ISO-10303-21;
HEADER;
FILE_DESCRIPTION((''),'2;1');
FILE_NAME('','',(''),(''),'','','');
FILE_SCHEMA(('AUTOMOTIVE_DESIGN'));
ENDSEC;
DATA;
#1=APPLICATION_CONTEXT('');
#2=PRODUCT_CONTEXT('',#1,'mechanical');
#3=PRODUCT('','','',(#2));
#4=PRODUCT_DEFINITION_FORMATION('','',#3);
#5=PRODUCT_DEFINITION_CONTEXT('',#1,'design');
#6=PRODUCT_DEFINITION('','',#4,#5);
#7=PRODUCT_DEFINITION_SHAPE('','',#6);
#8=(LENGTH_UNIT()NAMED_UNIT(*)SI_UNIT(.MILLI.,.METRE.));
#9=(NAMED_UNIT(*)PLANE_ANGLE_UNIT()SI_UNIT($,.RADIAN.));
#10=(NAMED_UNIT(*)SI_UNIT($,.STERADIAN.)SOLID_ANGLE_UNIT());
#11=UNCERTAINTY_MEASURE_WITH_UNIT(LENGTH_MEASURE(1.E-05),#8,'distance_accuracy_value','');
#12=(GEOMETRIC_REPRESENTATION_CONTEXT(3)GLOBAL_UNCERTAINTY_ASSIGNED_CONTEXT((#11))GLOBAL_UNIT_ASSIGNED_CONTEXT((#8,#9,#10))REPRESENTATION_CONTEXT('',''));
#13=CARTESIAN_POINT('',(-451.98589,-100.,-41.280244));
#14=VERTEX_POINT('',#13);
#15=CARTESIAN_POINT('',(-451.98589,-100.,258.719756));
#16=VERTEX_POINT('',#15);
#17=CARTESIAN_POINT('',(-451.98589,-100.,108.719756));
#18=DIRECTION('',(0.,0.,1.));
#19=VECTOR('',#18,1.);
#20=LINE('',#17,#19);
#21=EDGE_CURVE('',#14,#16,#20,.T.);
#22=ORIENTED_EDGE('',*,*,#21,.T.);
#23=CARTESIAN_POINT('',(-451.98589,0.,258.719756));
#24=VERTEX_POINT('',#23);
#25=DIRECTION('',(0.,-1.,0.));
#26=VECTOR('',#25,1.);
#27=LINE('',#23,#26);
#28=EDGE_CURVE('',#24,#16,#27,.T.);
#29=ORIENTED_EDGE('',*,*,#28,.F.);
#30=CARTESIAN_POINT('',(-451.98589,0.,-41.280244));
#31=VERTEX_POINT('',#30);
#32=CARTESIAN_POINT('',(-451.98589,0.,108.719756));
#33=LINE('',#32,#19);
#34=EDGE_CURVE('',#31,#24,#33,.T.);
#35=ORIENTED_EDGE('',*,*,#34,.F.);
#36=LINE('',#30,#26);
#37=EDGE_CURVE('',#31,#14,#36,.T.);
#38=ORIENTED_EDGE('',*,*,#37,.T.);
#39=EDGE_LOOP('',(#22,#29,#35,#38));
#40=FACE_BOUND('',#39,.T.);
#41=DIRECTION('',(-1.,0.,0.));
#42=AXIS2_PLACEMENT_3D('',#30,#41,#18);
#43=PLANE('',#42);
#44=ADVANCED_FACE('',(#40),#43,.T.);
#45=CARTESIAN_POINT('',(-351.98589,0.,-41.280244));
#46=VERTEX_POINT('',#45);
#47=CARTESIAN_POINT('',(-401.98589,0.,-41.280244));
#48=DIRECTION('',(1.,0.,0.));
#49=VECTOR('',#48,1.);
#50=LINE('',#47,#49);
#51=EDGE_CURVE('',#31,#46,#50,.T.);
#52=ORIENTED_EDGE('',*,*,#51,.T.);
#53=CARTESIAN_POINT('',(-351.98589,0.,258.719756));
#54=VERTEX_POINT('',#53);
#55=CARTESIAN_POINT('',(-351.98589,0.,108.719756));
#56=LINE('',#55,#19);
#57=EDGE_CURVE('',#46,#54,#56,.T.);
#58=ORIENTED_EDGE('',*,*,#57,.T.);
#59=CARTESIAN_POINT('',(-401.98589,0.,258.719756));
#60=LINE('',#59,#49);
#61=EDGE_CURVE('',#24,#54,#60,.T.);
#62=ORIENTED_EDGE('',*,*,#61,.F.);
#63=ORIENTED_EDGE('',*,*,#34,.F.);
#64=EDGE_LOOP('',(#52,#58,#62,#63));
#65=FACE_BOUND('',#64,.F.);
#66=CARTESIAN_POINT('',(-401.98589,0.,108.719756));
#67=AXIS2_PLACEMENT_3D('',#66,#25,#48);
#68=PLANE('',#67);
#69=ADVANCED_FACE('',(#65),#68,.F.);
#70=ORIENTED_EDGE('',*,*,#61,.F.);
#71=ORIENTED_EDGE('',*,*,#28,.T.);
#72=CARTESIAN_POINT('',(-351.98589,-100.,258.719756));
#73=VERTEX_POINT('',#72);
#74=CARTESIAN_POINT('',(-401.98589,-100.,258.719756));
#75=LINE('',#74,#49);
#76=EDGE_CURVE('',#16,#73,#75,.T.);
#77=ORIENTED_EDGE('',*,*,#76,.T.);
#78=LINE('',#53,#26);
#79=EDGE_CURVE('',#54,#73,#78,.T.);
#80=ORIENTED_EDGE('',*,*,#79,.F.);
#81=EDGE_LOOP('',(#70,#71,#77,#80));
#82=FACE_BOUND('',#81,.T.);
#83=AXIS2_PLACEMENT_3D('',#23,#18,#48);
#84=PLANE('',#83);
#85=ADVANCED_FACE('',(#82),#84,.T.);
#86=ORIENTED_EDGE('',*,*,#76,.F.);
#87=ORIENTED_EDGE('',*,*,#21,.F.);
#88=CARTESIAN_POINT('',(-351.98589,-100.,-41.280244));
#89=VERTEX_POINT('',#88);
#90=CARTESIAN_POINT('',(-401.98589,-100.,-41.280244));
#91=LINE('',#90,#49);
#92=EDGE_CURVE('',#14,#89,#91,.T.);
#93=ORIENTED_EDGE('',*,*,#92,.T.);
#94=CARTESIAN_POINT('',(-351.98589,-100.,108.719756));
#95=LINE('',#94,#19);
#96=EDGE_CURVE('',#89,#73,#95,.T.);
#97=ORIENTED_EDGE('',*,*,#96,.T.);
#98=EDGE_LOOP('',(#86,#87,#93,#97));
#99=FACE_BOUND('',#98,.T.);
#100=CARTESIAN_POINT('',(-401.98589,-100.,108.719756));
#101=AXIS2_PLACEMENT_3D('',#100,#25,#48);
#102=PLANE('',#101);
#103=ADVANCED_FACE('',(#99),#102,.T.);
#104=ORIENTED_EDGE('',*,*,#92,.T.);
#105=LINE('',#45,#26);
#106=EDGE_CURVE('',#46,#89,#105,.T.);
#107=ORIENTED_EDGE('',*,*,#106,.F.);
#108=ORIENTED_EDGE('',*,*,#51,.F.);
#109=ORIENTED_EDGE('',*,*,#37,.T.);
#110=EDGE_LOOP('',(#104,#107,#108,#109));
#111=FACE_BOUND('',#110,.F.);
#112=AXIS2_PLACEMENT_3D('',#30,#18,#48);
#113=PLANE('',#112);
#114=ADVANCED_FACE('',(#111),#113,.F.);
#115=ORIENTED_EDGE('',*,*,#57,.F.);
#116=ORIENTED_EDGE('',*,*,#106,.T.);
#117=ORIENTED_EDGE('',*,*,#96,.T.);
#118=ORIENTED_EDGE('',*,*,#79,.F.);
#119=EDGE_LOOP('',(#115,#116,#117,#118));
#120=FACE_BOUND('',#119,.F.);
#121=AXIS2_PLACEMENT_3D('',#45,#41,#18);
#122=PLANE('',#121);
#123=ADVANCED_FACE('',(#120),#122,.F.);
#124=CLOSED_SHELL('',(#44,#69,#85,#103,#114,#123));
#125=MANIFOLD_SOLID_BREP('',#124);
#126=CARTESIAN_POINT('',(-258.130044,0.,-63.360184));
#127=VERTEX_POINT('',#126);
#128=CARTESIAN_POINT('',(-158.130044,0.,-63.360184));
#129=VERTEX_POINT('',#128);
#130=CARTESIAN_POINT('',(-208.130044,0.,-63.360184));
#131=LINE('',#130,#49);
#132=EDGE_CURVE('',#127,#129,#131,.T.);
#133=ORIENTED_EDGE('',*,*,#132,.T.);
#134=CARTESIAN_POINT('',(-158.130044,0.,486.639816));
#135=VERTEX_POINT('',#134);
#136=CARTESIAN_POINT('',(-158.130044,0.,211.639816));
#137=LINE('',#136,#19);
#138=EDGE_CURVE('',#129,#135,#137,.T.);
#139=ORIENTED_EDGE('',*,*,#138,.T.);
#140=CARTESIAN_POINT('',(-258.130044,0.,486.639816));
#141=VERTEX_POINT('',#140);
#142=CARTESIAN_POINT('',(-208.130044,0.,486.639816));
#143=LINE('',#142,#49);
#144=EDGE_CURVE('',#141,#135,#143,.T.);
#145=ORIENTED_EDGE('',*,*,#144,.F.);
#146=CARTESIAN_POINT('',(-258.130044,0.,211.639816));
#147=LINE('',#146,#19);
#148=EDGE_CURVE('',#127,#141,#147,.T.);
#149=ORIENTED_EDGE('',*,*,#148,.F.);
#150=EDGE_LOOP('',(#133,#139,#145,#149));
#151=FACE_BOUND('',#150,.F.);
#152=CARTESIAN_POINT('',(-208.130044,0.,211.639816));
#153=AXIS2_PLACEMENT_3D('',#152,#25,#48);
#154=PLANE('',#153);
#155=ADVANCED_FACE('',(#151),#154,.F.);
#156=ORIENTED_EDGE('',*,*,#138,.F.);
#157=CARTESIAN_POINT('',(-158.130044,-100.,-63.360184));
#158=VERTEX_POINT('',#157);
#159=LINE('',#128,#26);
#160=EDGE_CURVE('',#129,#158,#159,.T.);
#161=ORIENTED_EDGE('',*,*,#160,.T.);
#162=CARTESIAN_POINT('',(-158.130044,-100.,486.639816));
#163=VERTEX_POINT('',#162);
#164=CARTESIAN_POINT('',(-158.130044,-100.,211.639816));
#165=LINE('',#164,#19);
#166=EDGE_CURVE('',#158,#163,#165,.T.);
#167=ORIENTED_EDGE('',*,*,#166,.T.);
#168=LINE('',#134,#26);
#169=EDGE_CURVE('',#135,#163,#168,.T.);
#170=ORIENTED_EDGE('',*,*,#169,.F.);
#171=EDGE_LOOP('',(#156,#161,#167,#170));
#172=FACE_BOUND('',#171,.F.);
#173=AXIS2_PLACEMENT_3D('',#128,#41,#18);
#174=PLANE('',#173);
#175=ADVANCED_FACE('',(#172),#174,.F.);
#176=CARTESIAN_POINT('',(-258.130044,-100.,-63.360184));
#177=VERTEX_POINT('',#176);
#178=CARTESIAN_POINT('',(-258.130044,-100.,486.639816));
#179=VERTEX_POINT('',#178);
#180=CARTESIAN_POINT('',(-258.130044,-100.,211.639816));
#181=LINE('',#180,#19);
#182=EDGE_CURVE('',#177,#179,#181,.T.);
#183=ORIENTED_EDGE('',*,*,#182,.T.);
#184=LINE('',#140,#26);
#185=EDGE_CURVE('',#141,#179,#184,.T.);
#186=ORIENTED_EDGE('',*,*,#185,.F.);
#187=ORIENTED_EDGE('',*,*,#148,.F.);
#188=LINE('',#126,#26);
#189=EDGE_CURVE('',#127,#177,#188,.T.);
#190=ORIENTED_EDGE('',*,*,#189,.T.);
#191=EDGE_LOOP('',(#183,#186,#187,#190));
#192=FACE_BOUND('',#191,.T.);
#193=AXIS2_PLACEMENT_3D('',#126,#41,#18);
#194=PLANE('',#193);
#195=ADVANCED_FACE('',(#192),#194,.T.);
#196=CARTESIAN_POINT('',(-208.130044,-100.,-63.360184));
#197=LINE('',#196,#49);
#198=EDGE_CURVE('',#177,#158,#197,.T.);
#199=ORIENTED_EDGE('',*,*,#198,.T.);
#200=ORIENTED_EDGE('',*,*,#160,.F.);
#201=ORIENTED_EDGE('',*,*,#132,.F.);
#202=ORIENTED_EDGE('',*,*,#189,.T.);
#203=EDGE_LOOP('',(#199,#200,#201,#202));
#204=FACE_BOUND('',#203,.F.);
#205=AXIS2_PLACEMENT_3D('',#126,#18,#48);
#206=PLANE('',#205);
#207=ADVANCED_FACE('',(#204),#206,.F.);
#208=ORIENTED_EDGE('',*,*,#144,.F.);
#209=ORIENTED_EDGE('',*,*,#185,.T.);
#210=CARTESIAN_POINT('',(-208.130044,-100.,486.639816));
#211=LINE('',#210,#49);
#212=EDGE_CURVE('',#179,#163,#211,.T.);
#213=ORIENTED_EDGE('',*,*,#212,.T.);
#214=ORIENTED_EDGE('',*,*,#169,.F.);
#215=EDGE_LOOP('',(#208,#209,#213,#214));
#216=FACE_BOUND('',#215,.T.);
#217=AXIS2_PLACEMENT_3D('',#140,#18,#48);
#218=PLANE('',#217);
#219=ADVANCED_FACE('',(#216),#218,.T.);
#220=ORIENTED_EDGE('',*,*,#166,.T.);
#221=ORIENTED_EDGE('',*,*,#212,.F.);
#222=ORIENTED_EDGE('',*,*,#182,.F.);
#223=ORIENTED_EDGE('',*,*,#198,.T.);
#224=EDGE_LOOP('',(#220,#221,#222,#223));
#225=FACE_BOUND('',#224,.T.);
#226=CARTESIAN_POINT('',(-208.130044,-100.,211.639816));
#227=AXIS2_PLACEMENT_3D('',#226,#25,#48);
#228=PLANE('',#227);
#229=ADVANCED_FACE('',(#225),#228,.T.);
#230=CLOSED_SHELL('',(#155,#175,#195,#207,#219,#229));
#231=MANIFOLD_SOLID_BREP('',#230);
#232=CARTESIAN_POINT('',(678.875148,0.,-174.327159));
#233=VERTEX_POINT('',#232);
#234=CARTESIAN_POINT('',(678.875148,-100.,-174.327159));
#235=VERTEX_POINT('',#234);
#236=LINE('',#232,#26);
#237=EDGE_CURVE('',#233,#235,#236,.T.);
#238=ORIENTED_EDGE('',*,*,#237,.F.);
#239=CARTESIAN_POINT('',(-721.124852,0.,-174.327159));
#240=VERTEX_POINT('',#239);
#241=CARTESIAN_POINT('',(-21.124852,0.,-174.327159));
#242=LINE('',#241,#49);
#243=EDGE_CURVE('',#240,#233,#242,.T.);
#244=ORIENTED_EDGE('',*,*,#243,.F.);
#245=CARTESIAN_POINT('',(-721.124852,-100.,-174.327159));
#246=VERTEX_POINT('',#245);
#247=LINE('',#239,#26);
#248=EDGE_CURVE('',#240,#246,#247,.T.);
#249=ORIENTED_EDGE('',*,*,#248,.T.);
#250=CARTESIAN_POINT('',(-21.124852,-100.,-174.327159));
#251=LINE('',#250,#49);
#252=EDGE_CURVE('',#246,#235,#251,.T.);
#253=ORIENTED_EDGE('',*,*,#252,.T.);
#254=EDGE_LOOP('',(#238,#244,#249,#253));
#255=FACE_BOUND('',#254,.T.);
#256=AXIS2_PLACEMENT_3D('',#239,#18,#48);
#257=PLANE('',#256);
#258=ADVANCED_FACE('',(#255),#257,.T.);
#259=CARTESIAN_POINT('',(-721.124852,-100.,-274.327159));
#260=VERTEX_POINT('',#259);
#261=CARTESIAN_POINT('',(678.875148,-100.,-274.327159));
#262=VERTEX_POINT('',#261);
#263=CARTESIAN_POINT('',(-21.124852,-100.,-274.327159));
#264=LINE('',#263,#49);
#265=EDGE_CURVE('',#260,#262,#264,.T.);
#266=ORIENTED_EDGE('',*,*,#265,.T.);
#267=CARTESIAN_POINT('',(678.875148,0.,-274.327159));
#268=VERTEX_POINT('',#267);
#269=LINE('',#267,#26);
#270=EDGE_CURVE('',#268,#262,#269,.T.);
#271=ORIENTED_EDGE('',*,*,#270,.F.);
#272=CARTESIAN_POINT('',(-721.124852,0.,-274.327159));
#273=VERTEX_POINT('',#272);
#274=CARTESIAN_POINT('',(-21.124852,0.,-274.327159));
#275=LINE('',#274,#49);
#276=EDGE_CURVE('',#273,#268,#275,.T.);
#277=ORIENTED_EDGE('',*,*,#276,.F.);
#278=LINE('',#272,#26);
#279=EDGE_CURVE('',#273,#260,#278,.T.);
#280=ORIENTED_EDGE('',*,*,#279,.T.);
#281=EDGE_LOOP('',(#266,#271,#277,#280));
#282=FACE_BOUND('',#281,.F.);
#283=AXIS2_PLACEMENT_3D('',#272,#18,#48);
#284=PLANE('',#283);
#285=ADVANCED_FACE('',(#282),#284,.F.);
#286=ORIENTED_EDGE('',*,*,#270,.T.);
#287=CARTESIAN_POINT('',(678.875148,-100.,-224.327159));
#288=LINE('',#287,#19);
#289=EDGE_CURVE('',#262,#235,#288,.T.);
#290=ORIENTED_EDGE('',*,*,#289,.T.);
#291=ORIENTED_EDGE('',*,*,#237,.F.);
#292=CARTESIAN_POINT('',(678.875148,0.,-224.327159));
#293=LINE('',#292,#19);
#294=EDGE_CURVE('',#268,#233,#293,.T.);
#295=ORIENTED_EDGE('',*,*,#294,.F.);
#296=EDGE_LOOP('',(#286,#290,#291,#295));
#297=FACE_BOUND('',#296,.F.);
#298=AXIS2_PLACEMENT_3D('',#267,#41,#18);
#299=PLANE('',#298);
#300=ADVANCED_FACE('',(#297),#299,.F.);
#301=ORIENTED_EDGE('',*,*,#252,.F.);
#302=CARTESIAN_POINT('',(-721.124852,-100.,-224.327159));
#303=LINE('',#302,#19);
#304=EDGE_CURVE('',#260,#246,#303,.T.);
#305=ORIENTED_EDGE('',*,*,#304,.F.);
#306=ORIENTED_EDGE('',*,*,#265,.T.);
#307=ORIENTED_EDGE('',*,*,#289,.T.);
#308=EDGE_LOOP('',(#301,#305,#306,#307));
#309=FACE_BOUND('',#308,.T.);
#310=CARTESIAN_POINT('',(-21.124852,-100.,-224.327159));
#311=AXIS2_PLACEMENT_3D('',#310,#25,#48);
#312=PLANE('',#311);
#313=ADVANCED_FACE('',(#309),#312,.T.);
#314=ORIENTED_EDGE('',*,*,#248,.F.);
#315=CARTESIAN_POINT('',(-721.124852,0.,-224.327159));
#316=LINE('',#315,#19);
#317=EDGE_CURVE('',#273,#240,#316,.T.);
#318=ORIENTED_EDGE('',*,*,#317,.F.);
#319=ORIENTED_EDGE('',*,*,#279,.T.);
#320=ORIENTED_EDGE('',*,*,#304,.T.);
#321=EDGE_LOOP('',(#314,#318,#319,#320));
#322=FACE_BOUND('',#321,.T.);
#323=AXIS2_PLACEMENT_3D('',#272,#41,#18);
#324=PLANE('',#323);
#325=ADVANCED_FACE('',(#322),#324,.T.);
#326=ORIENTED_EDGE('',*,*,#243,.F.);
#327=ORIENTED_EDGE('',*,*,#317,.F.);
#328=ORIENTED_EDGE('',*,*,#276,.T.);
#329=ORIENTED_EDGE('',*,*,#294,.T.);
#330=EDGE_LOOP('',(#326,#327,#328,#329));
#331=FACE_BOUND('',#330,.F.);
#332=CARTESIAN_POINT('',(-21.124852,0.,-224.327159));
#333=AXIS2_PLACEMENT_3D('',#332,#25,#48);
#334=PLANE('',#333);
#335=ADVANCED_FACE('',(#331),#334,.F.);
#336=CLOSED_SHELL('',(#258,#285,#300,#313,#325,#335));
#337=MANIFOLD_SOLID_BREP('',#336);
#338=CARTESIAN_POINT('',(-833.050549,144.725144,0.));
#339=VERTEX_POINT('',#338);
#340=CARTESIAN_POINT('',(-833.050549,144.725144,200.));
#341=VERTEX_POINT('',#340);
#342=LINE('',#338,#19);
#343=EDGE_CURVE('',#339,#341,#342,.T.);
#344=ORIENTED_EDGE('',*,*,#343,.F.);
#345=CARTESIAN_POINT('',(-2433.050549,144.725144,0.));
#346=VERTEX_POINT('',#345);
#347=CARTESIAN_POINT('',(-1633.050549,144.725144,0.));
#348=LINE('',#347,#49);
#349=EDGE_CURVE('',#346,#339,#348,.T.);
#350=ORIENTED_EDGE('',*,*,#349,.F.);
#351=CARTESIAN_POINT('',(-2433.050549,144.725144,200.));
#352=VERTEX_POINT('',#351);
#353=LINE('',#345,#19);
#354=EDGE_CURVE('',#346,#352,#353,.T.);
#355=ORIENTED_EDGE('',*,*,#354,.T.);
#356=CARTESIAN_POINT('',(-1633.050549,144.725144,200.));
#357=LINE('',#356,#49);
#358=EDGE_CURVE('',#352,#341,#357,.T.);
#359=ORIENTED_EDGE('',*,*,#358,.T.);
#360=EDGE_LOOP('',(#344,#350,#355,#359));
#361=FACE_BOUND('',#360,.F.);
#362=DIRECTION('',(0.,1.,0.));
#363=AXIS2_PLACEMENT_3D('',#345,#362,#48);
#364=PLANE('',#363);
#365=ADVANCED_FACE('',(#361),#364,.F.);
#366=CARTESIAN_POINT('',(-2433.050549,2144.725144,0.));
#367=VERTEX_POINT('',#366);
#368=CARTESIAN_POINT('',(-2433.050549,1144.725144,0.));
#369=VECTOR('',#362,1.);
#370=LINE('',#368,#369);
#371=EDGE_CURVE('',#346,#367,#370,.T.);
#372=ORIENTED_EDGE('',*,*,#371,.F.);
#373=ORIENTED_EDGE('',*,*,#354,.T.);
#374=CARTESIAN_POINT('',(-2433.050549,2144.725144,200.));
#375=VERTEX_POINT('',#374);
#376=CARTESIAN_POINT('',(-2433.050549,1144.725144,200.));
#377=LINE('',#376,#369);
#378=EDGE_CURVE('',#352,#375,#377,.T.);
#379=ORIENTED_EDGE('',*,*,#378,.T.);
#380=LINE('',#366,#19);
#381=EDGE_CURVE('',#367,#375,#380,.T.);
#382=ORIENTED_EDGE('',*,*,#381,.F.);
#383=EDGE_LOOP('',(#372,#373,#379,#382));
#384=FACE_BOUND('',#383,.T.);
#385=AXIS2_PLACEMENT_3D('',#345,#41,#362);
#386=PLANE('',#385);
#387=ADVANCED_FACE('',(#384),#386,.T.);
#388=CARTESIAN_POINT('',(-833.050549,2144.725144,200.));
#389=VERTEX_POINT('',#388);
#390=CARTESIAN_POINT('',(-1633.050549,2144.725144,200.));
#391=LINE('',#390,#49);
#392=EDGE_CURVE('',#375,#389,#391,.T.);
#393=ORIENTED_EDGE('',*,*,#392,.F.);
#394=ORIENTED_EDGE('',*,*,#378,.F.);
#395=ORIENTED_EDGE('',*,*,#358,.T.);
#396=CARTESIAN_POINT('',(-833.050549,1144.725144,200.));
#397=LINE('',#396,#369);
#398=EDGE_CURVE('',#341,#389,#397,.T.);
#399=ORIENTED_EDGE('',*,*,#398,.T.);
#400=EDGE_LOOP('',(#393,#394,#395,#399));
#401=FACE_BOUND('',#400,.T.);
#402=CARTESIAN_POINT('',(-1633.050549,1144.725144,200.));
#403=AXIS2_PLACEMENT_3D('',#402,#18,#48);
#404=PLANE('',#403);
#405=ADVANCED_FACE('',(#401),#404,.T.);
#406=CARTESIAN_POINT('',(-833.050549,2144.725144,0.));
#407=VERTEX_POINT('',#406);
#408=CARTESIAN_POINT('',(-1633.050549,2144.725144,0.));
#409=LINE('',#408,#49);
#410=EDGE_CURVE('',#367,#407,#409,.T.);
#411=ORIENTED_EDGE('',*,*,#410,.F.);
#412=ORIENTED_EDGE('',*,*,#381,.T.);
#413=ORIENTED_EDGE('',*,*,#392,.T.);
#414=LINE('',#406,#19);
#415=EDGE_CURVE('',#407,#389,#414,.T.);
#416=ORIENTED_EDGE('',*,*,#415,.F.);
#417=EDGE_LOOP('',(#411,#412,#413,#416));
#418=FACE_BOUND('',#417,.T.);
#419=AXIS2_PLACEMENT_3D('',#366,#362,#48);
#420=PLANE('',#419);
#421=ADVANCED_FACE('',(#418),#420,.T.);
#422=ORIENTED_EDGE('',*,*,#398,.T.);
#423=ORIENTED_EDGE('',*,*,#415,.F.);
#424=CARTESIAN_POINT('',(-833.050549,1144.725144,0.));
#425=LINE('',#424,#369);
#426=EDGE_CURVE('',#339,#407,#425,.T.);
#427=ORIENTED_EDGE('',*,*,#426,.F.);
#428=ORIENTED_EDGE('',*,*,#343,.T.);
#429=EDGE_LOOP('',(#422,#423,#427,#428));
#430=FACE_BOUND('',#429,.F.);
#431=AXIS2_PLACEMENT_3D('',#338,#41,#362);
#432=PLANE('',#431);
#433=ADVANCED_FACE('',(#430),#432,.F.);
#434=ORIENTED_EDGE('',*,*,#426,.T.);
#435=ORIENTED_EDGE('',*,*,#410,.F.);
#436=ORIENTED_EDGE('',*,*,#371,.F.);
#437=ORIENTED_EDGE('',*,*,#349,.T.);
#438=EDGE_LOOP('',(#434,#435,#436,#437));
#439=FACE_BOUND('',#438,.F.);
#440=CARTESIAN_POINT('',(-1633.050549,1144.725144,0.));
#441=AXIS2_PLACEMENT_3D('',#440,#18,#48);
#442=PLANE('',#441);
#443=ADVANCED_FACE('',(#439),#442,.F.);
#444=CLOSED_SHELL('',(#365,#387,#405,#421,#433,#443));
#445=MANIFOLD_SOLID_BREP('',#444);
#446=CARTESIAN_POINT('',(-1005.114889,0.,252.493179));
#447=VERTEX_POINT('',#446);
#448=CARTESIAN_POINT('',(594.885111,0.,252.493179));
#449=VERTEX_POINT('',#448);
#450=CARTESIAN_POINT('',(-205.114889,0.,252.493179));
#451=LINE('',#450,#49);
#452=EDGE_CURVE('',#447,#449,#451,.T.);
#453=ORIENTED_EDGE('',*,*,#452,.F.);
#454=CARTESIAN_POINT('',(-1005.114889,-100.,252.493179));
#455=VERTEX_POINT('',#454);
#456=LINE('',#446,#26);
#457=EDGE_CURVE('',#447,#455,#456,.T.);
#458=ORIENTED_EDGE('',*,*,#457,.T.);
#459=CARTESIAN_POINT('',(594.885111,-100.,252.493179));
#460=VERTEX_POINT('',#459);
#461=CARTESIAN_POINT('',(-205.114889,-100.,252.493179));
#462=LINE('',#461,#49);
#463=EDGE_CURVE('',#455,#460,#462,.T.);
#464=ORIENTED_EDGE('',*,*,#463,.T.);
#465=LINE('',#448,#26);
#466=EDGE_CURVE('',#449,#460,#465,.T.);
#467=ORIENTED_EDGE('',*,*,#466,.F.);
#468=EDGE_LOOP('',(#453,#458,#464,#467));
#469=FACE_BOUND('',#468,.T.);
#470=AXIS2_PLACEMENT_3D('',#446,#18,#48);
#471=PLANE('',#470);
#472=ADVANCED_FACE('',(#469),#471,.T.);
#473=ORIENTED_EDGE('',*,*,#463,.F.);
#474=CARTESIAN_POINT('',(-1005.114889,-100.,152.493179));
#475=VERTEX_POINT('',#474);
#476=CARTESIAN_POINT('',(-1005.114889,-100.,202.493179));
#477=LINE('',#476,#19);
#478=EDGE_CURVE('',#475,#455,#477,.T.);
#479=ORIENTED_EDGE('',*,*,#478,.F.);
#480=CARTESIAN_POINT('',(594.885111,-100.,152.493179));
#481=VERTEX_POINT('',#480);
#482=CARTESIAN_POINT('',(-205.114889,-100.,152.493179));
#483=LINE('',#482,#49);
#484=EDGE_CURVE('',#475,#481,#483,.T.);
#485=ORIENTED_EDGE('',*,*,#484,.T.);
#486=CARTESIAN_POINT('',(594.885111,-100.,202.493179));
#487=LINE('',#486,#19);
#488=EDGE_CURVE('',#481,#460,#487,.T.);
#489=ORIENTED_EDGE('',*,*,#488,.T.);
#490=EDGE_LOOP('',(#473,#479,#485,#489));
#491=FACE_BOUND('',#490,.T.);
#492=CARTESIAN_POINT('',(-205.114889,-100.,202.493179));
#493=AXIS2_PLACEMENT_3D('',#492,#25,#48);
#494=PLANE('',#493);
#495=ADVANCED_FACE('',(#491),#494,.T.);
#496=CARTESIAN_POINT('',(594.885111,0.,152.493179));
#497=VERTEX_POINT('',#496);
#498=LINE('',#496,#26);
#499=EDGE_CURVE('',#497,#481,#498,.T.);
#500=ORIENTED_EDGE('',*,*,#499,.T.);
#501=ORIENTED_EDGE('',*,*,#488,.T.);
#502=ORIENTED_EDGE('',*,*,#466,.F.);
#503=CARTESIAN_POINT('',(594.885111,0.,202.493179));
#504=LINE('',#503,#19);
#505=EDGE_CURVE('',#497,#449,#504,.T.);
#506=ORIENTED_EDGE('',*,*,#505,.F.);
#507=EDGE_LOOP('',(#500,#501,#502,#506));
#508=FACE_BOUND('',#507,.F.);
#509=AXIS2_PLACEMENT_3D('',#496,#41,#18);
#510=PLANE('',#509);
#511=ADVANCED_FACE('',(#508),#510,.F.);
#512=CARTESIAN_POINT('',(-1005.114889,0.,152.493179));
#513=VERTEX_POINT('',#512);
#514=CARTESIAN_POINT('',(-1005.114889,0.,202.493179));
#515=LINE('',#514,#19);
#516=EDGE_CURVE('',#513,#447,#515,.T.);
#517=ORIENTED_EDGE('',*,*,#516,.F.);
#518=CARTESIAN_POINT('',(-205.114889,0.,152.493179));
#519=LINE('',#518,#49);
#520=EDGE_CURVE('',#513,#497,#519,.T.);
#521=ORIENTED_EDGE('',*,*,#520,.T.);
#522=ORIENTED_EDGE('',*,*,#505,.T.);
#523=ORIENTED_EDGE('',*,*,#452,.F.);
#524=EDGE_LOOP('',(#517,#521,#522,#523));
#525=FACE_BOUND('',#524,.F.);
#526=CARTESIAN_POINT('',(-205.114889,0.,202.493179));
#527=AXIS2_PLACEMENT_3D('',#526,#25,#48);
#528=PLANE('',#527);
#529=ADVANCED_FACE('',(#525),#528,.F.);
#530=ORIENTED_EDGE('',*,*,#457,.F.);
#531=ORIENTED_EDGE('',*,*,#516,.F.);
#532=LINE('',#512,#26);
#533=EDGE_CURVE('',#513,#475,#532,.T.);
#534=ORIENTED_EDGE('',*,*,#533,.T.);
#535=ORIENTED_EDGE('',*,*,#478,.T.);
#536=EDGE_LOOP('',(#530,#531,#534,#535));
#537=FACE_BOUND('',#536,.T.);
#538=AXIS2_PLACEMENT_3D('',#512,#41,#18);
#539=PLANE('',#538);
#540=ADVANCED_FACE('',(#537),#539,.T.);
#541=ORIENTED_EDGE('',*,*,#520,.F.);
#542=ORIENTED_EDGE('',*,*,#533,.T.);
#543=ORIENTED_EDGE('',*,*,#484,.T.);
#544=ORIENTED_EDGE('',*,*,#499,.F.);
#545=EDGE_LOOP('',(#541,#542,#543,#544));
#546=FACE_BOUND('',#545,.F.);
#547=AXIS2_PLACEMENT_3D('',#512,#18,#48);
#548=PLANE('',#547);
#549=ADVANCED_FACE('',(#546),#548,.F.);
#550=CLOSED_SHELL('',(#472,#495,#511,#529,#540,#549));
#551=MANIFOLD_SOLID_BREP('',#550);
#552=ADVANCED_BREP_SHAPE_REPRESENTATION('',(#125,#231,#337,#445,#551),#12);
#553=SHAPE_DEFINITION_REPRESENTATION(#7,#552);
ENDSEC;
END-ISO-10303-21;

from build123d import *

# Parameters (mm, degrees)
F0_W     = 100
F0_H     = 300
F1_DEPTH = 100
F2_W     = 100
F2_H     = 550
F3_DEPTH = 100
F4_W     = 1600
F4_H     = 100
F5_DEPTH = 100
F6_W     = 1400
F6_H     = 100
F7_DEPTH = 100
F8_W     = 1600
F8_H     = 2000
F9_DEPTH = 200


with BuildPart() as f1:
    # F0 (on Front) → F1 (new body)
    with BuildSketch(Plane.XZ):
        with Locations((-401.98589, 108.719756)):
            Rectangle(F0_W, F0_H)
    extrude(amount=F1_DEPTH)


with BuildPart() as f3:
    # F2 (on Front) → F3 (new body)
    with BuildSketch(Plane.XZ):
        with Locations((-208.130044, 211.639816)):
            Rectangle(F2_W, F2_H)
    extrude(amount=F3_DEPTH)


with BuildPart() as f5:
    # F4 (on Front) → F5 (new body)
    with BuildSketch(Plane.XZ):
        with Locations((-205.114889, 202.493179)):
            Rectangle(F4_W, F4_H)
    extrude(amount=F5_DEPTH)


with BuildPart() as f7:
    # F6 (on Front) → F7 (new body)
    with BuildSketch(Plane.XZ):
        with Locations((-21.124852, -224.327159)):
            Rectangle(F6_W, F6_H)
    extrude(amount=F7_DEPTH)


with BuildPart() as f9:
    # F8 (on Top) → F9 (new body)
    with BuildSketch(Plane.XY):
        with Locations((-1633.050549, 1144.725144)):
            Rectangle(F8_W, F8_H)
    extrude(amount=F9_DEPTH)


solid = Compound([f1.part, f3.part, f5.part, f7.part, f9.part])
